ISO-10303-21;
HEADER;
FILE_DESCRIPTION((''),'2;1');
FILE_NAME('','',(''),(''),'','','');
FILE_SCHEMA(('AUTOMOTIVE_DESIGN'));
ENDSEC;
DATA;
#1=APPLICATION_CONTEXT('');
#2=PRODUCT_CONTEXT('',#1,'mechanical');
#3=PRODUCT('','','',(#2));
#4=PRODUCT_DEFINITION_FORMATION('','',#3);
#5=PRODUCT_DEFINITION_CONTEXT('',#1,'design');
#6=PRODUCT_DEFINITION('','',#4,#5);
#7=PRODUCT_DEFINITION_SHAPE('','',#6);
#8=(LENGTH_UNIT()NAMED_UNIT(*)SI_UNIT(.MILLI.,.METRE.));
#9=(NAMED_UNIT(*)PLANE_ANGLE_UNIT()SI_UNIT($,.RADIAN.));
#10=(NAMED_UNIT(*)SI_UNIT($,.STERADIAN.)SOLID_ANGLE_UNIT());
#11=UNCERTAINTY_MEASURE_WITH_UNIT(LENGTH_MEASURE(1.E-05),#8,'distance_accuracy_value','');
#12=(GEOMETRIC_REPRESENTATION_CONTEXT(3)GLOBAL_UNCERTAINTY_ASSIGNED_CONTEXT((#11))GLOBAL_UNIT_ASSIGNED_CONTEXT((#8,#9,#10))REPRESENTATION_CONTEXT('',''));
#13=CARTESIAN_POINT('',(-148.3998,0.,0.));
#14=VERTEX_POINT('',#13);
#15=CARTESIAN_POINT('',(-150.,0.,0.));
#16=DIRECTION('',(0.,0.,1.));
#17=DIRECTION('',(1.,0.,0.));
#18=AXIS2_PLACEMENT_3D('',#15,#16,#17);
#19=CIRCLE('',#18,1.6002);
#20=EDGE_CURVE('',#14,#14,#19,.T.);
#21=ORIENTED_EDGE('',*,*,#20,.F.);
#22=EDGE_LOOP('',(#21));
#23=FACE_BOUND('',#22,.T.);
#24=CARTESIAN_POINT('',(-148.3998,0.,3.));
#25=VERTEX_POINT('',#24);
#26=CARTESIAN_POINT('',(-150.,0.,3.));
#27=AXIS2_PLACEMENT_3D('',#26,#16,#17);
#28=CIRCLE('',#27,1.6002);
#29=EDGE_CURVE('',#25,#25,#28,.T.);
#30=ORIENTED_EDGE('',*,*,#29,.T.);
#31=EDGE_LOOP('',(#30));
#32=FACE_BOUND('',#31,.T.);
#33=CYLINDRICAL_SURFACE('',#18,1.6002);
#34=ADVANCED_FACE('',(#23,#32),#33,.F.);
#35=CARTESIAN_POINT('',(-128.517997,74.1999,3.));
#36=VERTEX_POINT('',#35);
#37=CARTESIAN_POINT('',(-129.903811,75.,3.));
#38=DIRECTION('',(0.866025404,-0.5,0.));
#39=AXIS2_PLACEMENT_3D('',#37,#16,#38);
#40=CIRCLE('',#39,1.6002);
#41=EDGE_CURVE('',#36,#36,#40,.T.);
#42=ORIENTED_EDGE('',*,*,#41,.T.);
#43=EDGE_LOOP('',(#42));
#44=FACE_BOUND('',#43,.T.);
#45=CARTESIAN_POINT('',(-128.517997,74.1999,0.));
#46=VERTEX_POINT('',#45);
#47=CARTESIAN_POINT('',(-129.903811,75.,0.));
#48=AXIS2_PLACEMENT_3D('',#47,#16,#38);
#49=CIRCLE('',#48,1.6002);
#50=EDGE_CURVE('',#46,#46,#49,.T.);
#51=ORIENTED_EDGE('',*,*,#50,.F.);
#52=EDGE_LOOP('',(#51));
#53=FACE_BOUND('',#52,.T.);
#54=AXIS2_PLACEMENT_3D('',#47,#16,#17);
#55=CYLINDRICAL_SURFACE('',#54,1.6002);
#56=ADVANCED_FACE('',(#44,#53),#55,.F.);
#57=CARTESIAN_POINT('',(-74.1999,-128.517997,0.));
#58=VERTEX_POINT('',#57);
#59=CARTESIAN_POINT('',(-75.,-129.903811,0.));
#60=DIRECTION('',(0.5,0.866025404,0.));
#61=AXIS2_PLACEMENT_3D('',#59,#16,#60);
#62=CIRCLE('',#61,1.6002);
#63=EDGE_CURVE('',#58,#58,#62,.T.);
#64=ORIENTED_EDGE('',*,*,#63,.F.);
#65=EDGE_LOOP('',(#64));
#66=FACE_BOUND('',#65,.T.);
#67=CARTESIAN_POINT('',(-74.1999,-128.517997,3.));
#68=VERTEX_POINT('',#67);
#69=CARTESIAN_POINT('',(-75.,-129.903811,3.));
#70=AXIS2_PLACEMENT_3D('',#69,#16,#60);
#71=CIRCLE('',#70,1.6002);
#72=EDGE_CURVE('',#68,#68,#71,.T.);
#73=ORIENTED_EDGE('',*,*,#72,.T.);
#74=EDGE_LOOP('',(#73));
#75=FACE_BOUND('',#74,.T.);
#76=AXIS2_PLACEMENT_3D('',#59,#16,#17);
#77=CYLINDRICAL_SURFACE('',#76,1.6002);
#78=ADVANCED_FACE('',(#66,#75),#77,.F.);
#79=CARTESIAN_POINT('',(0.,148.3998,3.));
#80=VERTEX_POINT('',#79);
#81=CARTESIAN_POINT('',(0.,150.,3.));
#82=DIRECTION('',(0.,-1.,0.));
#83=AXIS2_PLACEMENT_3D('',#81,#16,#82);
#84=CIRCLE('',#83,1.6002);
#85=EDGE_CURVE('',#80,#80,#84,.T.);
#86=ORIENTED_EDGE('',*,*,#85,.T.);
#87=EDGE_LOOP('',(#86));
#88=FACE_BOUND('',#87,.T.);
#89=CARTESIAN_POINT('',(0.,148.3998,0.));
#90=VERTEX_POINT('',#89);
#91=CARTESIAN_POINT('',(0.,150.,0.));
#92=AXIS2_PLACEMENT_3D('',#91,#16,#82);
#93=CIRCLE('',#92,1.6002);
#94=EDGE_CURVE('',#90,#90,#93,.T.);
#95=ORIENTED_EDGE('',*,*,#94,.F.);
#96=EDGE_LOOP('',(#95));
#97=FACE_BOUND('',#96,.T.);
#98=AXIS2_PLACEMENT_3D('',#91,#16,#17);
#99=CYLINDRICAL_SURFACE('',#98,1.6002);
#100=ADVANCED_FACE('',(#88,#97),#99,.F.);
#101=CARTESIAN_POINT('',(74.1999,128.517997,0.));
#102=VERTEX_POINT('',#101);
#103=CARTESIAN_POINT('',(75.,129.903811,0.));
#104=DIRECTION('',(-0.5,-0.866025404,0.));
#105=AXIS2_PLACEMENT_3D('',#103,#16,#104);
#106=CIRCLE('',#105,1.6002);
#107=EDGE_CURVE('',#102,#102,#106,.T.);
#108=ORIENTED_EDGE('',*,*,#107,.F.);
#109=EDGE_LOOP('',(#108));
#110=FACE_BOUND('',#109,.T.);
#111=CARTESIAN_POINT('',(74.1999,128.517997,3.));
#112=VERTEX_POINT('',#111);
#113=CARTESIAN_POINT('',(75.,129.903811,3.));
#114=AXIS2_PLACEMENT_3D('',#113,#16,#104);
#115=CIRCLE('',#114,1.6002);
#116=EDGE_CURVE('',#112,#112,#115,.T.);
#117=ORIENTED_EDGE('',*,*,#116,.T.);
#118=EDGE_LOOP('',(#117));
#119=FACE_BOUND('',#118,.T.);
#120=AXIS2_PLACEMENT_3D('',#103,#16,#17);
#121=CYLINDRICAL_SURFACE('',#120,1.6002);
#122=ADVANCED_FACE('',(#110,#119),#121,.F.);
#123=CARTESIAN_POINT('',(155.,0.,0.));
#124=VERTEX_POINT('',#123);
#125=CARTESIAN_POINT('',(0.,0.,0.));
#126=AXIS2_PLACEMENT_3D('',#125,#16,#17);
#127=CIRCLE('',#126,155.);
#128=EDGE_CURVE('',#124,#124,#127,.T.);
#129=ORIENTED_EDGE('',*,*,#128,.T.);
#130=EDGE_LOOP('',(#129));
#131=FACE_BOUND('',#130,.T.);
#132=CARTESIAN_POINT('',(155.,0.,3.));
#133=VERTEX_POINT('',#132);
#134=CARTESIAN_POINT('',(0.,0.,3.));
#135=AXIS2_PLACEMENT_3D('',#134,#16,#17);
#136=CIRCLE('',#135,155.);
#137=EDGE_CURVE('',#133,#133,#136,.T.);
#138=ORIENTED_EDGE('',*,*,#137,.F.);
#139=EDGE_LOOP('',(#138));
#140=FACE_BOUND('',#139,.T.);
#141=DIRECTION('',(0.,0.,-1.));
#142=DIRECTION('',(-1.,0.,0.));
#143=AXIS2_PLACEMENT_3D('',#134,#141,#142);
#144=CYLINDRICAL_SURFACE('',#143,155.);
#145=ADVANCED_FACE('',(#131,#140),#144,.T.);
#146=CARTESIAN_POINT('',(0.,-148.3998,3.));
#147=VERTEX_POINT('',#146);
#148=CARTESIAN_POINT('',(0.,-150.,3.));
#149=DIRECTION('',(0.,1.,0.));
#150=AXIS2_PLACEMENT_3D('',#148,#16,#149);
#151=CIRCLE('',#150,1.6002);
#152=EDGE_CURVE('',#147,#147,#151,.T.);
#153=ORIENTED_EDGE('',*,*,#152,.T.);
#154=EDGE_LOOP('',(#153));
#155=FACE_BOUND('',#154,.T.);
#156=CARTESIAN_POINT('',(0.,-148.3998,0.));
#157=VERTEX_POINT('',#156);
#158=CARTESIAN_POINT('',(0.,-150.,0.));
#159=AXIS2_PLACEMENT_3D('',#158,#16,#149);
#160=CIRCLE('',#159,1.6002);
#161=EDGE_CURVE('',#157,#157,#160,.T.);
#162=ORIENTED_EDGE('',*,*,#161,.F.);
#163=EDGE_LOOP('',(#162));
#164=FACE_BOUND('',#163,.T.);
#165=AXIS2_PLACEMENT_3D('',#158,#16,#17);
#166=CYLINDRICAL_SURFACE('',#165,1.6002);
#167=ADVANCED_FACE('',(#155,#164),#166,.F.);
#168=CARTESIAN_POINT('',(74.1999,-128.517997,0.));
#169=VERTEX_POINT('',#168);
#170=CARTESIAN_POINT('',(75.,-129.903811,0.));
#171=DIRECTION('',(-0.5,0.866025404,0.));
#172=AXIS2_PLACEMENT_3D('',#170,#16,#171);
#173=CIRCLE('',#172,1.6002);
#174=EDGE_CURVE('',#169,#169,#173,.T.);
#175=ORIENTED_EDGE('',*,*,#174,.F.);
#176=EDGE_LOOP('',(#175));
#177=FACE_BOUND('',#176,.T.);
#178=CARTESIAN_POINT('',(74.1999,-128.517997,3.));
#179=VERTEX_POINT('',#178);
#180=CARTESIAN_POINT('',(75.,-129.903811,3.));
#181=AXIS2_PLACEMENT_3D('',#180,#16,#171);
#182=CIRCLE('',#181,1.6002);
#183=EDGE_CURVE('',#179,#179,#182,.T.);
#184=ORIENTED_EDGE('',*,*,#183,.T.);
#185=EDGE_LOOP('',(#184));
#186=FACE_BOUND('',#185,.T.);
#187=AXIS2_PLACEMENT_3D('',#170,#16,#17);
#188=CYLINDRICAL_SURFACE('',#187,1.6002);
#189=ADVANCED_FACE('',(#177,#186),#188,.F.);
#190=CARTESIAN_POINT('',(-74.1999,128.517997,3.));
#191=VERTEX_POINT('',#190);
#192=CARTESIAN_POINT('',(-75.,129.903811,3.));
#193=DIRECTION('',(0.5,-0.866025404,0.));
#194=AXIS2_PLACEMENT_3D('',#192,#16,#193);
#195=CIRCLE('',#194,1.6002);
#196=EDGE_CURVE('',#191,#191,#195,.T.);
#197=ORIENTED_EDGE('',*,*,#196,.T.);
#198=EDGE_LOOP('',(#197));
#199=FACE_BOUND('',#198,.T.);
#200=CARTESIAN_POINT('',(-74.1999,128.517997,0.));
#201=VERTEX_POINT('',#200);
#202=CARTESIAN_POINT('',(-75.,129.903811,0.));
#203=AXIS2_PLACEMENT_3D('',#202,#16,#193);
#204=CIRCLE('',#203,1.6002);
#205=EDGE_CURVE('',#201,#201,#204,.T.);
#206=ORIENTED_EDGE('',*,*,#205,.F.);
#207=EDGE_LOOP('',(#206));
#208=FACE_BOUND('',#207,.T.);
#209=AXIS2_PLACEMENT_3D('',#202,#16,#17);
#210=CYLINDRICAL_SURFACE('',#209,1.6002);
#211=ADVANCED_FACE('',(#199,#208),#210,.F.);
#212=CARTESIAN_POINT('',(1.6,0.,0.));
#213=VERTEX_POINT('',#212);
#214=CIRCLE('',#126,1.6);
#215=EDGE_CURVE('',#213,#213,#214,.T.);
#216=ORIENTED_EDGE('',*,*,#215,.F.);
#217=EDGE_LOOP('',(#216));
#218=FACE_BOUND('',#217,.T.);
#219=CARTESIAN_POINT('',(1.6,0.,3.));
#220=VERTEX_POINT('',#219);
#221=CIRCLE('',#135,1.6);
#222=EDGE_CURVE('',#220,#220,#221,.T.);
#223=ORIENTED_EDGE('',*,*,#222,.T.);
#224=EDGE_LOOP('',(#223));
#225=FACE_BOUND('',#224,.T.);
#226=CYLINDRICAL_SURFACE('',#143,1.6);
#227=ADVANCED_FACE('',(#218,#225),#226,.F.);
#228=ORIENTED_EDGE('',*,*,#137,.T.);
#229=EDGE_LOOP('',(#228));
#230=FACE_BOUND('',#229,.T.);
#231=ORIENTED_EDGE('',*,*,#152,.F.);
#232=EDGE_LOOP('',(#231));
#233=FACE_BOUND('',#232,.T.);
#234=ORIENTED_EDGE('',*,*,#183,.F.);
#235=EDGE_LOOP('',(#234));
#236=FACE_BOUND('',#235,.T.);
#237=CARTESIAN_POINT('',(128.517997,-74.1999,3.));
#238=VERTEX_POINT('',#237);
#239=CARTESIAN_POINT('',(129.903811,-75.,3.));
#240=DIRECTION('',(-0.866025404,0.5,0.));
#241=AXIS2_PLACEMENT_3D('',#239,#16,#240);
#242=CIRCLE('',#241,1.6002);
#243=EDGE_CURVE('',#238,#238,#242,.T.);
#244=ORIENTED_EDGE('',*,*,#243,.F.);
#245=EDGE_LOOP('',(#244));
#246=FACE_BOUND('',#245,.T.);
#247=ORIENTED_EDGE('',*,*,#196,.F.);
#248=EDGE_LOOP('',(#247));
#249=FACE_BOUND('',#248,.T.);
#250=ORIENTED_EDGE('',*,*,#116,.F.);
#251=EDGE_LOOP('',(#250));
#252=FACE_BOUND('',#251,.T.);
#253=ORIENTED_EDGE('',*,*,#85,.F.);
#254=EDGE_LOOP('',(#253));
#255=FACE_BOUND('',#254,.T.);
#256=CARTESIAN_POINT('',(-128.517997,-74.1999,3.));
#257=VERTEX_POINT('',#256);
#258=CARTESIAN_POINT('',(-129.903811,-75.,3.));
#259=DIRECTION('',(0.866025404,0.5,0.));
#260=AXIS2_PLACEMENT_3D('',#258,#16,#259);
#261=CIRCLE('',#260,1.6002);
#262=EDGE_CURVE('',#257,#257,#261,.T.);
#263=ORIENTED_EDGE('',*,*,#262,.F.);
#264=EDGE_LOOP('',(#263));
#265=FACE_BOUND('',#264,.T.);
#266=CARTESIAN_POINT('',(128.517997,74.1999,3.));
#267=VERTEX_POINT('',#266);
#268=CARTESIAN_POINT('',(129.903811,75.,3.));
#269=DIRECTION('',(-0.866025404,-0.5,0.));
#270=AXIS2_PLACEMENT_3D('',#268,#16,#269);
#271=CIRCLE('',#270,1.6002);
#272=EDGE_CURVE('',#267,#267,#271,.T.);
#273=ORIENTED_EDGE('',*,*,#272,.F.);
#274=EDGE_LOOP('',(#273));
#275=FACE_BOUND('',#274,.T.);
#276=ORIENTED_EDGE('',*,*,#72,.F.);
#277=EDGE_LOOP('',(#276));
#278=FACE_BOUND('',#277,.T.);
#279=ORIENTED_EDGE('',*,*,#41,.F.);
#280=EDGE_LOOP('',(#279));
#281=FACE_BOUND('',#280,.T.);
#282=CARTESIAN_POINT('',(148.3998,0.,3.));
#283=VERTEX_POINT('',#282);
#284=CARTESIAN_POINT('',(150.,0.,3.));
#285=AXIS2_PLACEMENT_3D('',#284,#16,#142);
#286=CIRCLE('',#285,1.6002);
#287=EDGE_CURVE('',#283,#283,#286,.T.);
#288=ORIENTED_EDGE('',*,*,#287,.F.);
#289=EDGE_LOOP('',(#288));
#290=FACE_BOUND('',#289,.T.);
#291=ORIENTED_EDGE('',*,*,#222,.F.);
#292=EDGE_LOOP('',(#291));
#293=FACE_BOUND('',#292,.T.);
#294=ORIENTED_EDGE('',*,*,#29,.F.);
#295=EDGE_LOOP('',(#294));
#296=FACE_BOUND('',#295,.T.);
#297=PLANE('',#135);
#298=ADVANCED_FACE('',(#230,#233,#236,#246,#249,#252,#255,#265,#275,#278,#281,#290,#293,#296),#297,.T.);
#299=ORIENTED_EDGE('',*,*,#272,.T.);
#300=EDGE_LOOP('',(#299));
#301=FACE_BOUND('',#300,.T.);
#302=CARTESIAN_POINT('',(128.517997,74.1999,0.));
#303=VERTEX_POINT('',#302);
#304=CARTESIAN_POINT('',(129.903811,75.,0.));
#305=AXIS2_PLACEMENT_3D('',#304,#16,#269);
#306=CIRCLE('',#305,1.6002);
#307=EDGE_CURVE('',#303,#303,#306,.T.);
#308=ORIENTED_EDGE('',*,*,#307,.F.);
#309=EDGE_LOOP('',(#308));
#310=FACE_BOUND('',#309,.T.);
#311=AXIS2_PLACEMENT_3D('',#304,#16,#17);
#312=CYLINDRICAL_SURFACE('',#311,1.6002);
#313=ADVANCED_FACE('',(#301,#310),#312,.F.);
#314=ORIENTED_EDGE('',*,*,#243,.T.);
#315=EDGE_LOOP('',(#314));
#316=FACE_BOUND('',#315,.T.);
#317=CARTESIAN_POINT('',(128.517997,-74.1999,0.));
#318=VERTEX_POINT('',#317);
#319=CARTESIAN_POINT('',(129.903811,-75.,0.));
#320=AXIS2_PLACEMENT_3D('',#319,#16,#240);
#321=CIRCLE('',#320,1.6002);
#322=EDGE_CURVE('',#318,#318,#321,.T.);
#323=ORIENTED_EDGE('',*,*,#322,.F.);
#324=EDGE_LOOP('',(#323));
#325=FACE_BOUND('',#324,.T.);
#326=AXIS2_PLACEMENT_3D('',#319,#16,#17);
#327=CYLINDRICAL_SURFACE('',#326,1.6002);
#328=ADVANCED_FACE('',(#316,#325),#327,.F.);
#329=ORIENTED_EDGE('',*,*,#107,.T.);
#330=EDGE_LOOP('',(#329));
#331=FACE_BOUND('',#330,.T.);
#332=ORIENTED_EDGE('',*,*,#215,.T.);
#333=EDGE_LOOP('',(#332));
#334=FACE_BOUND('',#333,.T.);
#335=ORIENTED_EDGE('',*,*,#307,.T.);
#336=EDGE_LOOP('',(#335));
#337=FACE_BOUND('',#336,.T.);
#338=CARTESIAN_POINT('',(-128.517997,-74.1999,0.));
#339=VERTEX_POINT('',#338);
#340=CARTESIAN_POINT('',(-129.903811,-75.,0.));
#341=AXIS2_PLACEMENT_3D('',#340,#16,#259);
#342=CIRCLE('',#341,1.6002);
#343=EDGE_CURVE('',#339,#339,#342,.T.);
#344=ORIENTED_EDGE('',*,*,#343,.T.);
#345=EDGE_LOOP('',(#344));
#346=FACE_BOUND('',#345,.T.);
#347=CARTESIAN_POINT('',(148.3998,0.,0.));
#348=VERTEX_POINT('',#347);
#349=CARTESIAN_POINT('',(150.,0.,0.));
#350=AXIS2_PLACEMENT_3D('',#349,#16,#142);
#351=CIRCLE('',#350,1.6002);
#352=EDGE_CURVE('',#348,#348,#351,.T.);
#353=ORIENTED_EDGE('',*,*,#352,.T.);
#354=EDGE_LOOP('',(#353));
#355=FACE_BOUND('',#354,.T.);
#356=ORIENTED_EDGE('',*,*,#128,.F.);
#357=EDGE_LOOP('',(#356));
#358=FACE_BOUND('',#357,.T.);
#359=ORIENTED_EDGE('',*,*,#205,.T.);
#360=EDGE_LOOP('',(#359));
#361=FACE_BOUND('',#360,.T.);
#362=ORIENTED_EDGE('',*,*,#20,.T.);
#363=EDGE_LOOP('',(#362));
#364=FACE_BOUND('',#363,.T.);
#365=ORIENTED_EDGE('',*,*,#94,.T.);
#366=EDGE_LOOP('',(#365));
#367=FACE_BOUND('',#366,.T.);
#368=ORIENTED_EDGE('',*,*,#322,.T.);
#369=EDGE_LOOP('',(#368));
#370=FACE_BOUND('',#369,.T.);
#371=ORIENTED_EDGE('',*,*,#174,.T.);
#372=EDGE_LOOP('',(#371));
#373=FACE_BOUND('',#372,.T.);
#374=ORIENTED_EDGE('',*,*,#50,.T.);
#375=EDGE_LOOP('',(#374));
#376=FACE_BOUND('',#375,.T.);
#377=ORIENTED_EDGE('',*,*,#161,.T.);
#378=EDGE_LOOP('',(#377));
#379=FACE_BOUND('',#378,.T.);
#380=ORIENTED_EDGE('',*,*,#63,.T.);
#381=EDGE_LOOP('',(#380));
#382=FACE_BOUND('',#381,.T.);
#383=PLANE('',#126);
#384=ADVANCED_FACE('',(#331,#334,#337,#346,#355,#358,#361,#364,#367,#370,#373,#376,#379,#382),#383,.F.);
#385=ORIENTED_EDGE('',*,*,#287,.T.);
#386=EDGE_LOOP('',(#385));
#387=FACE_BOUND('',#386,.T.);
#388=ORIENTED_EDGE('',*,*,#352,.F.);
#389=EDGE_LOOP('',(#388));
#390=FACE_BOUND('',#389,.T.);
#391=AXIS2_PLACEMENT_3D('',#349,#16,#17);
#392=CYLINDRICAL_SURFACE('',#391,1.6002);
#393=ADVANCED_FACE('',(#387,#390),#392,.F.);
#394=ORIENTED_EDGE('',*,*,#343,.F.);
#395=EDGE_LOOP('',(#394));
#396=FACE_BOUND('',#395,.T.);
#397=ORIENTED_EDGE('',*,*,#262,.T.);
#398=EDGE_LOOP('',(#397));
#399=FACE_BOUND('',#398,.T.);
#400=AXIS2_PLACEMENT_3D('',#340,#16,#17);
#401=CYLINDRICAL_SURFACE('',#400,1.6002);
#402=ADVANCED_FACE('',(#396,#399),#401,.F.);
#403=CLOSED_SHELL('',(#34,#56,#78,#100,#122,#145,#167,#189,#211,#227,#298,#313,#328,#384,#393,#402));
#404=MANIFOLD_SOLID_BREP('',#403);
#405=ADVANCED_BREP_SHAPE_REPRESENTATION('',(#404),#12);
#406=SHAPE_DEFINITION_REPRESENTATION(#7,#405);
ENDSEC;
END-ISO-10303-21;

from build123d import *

# Parameters (mm, degrees)
SKETCH1_R           = 155
SKETCH1_R_2         = 1.6
BOSS_EXTRUDE1_DEPTH = 3
SKETCH2_R           = 1.6002
CUT_EXTRUDE1_DEPTH  = 220.223630113
CIRPATTERN1_COUNT   = 12


with BuildPart() as part:
    # Sketch1 → Boss-Extrude1 (new body)
    with BuildSketch(Plane.XY):
        Circle(SKETCH1_R)
        Circle(SKETCH1_R_2, mode=Mode.SUBTRACT)
    extrude(amount=BOSS_EXTRUDE1_DEPTH)

    # Sketch2 → Cut-Extrude1 (cut, through all)
    with BuildSketch(Plane.XY.offset(3)):
        with Locations((-150, 0)):
            Circle(SKETCH2_R)
    cut_extrude1 = extrude(amount=-CUT_EXTRUDE1_DEPTH, mode=Mode.SUBTRACT)

    # CirPattern1: Cut-Extrude1 ×12 about axis
    cirpattern1_axis = Axis((0, 0, 3), (0, 0, 1))
    for i in range(1, CIRPATTERN1_COUNT):
        add(cut_extrude1.rotate(cirpattern1_axis, i * 360 / CIRPATTERN1_COUNT), mode=Mode.SUBTRACT)


solid = part.part
